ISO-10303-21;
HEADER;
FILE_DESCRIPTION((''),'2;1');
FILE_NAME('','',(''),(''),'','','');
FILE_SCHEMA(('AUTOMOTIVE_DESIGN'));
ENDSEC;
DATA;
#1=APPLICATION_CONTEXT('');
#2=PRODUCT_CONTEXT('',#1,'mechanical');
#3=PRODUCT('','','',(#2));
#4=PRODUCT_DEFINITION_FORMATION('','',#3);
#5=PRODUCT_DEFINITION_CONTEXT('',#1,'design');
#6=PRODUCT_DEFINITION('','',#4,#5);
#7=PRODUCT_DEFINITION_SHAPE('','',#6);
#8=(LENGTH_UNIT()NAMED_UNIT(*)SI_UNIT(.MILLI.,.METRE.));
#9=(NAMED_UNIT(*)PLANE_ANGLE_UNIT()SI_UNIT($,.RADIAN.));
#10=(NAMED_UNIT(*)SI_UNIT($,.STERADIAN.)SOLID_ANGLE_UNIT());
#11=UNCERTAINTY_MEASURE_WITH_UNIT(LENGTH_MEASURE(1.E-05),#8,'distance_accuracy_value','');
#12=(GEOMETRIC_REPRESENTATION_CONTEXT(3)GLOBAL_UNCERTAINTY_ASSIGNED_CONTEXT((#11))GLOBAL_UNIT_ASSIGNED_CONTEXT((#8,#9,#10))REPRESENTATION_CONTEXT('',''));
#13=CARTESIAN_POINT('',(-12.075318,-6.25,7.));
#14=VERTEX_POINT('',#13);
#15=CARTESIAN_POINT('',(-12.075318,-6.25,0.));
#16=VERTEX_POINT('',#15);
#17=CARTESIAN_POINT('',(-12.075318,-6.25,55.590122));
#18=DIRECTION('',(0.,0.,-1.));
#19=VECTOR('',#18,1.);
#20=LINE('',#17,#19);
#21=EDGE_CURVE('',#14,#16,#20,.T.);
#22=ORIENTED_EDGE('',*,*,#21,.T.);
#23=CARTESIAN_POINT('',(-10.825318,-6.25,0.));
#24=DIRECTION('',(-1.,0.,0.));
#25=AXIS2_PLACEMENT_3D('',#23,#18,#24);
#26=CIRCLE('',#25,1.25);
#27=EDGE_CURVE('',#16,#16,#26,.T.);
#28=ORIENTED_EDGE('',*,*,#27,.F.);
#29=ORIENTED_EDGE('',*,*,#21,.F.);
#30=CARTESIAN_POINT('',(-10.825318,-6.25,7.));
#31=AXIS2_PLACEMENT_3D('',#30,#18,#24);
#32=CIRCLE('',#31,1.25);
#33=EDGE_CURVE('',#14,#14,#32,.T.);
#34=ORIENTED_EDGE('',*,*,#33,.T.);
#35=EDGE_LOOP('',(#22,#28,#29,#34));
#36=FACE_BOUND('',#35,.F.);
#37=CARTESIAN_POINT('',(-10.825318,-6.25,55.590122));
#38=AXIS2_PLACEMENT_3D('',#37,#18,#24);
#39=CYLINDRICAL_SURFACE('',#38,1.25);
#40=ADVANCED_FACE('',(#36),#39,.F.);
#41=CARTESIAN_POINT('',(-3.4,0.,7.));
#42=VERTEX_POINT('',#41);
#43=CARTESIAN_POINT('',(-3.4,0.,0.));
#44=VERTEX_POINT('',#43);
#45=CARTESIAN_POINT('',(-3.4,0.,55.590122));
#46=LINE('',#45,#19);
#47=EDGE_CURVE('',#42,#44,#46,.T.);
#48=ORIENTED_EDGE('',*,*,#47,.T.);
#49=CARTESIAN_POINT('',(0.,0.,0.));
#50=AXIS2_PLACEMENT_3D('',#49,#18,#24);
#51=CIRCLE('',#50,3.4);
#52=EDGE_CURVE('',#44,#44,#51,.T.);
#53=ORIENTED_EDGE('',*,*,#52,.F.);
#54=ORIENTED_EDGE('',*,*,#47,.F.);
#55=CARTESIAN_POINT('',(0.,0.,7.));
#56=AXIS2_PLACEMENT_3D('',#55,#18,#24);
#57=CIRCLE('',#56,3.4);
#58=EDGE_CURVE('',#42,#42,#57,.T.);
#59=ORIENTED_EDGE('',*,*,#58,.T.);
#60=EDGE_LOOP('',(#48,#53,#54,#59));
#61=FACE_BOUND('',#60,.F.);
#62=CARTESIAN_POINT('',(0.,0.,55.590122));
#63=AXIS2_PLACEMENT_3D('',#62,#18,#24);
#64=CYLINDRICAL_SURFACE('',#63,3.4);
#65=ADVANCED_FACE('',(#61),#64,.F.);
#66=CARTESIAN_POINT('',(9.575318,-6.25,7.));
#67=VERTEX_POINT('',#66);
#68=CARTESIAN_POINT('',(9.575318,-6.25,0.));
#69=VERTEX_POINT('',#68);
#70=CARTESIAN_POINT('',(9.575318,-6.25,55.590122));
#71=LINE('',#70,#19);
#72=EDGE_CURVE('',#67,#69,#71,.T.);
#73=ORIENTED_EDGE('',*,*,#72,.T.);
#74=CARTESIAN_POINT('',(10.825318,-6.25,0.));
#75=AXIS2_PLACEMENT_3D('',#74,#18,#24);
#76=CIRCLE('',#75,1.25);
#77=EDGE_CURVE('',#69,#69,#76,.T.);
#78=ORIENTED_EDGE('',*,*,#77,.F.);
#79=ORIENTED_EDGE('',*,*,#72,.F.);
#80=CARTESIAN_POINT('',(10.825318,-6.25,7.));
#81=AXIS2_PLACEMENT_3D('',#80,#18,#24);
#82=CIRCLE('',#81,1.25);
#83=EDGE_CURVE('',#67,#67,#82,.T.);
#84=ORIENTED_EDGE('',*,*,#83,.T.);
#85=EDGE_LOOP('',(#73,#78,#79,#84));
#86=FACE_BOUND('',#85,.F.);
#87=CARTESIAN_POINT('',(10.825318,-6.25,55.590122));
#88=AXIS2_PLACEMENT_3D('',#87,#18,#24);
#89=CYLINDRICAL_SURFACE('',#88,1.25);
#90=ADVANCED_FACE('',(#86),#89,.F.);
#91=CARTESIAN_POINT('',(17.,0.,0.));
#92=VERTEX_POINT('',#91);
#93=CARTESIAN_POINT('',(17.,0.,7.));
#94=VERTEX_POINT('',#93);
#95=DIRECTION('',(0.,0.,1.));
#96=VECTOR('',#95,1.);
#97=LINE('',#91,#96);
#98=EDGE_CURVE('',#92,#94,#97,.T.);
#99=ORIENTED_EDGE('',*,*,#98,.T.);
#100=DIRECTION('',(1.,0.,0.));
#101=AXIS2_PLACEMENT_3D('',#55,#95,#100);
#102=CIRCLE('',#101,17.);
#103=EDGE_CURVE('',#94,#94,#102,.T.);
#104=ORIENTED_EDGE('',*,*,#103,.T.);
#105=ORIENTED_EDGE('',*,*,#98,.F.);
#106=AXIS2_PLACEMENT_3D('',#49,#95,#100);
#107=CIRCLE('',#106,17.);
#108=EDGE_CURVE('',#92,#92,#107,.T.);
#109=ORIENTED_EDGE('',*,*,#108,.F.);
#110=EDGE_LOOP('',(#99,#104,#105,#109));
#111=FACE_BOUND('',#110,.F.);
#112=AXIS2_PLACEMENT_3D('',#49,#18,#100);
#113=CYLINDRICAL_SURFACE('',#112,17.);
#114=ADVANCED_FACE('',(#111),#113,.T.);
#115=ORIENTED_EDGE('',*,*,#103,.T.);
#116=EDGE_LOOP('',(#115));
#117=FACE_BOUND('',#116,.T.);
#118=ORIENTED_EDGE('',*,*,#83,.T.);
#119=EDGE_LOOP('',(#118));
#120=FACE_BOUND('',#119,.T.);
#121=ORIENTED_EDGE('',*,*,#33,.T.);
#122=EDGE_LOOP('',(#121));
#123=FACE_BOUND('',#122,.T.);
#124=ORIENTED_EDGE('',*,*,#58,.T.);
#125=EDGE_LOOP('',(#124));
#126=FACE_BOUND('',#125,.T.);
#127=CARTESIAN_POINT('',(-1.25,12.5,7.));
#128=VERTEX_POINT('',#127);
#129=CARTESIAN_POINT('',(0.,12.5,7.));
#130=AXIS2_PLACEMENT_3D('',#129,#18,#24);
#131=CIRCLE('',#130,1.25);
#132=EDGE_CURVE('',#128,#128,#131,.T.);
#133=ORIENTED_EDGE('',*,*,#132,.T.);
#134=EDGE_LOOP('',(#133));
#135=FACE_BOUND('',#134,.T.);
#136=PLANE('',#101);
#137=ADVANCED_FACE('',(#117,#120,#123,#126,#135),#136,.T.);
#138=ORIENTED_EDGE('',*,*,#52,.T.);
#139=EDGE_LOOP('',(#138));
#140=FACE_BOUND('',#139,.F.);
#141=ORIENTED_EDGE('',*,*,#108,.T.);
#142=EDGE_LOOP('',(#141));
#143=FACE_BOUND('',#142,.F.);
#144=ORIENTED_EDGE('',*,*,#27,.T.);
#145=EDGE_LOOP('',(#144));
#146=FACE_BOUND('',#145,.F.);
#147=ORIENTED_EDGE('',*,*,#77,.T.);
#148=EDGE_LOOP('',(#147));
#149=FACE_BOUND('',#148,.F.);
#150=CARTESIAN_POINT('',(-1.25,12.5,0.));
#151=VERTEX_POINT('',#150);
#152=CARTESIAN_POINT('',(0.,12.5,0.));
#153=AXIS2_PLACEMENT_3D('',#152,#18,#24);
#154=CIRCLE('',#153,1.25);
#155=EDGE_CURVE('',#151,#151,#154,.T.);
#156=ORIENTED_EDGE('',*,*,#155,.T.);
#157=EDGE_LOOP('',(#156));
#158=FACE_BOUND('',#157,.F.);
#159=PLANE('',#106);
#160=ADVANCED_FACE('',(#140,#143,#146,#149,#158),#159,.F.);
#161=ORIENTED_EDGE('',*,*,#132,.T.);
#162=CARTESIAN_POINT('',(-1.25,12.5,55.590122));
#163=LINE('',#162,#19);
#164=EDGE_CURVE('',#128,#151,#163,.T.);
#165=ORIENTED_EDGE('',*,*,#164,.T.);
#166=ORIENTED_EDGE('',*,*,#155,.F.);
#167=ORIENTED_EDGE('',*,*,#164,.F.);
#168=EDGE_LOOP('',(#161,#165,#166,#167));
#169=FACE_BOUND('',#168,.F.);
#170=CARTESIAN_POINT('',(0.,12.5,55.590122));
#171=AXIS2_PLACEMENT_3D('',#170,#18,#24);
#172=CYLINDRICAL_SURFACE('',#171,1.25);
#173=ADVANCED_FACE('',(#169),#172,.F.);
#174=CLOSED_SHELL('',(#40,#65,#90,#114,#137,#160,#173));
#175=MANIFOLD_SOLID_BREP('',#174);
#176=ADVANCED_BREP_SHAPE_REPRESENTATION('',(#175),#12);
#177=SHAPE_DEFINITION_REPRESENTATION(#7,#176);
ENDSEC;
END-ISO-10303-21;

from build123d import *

# Parameters (mm, degrees)
F0_R     = 17
F1_DEPTH = 7
F3_D     = 6.8
F4_D     = 2.5


with BuildPart() as f1:
    # F0 (on Top) → F1 (new body)
    with BuildSketch(Plane.XY):
        Circle(F0_R)
    extrude(amount=F1_DEPTH)

    # F3 (through all)
    with Locations(Plane.XY.offset(7)):
        with Locations((0, 0)):
            Hole(F3_D / 2)

    # F4 (through all)
    with Locations(Plane.XY.offset(7)):
        with Locations((0, 12.5), (10.8253175473, -6.25), (-10.8253175473, -6.25)):
            Hole(F4_D / 2)


solid = f1.part
